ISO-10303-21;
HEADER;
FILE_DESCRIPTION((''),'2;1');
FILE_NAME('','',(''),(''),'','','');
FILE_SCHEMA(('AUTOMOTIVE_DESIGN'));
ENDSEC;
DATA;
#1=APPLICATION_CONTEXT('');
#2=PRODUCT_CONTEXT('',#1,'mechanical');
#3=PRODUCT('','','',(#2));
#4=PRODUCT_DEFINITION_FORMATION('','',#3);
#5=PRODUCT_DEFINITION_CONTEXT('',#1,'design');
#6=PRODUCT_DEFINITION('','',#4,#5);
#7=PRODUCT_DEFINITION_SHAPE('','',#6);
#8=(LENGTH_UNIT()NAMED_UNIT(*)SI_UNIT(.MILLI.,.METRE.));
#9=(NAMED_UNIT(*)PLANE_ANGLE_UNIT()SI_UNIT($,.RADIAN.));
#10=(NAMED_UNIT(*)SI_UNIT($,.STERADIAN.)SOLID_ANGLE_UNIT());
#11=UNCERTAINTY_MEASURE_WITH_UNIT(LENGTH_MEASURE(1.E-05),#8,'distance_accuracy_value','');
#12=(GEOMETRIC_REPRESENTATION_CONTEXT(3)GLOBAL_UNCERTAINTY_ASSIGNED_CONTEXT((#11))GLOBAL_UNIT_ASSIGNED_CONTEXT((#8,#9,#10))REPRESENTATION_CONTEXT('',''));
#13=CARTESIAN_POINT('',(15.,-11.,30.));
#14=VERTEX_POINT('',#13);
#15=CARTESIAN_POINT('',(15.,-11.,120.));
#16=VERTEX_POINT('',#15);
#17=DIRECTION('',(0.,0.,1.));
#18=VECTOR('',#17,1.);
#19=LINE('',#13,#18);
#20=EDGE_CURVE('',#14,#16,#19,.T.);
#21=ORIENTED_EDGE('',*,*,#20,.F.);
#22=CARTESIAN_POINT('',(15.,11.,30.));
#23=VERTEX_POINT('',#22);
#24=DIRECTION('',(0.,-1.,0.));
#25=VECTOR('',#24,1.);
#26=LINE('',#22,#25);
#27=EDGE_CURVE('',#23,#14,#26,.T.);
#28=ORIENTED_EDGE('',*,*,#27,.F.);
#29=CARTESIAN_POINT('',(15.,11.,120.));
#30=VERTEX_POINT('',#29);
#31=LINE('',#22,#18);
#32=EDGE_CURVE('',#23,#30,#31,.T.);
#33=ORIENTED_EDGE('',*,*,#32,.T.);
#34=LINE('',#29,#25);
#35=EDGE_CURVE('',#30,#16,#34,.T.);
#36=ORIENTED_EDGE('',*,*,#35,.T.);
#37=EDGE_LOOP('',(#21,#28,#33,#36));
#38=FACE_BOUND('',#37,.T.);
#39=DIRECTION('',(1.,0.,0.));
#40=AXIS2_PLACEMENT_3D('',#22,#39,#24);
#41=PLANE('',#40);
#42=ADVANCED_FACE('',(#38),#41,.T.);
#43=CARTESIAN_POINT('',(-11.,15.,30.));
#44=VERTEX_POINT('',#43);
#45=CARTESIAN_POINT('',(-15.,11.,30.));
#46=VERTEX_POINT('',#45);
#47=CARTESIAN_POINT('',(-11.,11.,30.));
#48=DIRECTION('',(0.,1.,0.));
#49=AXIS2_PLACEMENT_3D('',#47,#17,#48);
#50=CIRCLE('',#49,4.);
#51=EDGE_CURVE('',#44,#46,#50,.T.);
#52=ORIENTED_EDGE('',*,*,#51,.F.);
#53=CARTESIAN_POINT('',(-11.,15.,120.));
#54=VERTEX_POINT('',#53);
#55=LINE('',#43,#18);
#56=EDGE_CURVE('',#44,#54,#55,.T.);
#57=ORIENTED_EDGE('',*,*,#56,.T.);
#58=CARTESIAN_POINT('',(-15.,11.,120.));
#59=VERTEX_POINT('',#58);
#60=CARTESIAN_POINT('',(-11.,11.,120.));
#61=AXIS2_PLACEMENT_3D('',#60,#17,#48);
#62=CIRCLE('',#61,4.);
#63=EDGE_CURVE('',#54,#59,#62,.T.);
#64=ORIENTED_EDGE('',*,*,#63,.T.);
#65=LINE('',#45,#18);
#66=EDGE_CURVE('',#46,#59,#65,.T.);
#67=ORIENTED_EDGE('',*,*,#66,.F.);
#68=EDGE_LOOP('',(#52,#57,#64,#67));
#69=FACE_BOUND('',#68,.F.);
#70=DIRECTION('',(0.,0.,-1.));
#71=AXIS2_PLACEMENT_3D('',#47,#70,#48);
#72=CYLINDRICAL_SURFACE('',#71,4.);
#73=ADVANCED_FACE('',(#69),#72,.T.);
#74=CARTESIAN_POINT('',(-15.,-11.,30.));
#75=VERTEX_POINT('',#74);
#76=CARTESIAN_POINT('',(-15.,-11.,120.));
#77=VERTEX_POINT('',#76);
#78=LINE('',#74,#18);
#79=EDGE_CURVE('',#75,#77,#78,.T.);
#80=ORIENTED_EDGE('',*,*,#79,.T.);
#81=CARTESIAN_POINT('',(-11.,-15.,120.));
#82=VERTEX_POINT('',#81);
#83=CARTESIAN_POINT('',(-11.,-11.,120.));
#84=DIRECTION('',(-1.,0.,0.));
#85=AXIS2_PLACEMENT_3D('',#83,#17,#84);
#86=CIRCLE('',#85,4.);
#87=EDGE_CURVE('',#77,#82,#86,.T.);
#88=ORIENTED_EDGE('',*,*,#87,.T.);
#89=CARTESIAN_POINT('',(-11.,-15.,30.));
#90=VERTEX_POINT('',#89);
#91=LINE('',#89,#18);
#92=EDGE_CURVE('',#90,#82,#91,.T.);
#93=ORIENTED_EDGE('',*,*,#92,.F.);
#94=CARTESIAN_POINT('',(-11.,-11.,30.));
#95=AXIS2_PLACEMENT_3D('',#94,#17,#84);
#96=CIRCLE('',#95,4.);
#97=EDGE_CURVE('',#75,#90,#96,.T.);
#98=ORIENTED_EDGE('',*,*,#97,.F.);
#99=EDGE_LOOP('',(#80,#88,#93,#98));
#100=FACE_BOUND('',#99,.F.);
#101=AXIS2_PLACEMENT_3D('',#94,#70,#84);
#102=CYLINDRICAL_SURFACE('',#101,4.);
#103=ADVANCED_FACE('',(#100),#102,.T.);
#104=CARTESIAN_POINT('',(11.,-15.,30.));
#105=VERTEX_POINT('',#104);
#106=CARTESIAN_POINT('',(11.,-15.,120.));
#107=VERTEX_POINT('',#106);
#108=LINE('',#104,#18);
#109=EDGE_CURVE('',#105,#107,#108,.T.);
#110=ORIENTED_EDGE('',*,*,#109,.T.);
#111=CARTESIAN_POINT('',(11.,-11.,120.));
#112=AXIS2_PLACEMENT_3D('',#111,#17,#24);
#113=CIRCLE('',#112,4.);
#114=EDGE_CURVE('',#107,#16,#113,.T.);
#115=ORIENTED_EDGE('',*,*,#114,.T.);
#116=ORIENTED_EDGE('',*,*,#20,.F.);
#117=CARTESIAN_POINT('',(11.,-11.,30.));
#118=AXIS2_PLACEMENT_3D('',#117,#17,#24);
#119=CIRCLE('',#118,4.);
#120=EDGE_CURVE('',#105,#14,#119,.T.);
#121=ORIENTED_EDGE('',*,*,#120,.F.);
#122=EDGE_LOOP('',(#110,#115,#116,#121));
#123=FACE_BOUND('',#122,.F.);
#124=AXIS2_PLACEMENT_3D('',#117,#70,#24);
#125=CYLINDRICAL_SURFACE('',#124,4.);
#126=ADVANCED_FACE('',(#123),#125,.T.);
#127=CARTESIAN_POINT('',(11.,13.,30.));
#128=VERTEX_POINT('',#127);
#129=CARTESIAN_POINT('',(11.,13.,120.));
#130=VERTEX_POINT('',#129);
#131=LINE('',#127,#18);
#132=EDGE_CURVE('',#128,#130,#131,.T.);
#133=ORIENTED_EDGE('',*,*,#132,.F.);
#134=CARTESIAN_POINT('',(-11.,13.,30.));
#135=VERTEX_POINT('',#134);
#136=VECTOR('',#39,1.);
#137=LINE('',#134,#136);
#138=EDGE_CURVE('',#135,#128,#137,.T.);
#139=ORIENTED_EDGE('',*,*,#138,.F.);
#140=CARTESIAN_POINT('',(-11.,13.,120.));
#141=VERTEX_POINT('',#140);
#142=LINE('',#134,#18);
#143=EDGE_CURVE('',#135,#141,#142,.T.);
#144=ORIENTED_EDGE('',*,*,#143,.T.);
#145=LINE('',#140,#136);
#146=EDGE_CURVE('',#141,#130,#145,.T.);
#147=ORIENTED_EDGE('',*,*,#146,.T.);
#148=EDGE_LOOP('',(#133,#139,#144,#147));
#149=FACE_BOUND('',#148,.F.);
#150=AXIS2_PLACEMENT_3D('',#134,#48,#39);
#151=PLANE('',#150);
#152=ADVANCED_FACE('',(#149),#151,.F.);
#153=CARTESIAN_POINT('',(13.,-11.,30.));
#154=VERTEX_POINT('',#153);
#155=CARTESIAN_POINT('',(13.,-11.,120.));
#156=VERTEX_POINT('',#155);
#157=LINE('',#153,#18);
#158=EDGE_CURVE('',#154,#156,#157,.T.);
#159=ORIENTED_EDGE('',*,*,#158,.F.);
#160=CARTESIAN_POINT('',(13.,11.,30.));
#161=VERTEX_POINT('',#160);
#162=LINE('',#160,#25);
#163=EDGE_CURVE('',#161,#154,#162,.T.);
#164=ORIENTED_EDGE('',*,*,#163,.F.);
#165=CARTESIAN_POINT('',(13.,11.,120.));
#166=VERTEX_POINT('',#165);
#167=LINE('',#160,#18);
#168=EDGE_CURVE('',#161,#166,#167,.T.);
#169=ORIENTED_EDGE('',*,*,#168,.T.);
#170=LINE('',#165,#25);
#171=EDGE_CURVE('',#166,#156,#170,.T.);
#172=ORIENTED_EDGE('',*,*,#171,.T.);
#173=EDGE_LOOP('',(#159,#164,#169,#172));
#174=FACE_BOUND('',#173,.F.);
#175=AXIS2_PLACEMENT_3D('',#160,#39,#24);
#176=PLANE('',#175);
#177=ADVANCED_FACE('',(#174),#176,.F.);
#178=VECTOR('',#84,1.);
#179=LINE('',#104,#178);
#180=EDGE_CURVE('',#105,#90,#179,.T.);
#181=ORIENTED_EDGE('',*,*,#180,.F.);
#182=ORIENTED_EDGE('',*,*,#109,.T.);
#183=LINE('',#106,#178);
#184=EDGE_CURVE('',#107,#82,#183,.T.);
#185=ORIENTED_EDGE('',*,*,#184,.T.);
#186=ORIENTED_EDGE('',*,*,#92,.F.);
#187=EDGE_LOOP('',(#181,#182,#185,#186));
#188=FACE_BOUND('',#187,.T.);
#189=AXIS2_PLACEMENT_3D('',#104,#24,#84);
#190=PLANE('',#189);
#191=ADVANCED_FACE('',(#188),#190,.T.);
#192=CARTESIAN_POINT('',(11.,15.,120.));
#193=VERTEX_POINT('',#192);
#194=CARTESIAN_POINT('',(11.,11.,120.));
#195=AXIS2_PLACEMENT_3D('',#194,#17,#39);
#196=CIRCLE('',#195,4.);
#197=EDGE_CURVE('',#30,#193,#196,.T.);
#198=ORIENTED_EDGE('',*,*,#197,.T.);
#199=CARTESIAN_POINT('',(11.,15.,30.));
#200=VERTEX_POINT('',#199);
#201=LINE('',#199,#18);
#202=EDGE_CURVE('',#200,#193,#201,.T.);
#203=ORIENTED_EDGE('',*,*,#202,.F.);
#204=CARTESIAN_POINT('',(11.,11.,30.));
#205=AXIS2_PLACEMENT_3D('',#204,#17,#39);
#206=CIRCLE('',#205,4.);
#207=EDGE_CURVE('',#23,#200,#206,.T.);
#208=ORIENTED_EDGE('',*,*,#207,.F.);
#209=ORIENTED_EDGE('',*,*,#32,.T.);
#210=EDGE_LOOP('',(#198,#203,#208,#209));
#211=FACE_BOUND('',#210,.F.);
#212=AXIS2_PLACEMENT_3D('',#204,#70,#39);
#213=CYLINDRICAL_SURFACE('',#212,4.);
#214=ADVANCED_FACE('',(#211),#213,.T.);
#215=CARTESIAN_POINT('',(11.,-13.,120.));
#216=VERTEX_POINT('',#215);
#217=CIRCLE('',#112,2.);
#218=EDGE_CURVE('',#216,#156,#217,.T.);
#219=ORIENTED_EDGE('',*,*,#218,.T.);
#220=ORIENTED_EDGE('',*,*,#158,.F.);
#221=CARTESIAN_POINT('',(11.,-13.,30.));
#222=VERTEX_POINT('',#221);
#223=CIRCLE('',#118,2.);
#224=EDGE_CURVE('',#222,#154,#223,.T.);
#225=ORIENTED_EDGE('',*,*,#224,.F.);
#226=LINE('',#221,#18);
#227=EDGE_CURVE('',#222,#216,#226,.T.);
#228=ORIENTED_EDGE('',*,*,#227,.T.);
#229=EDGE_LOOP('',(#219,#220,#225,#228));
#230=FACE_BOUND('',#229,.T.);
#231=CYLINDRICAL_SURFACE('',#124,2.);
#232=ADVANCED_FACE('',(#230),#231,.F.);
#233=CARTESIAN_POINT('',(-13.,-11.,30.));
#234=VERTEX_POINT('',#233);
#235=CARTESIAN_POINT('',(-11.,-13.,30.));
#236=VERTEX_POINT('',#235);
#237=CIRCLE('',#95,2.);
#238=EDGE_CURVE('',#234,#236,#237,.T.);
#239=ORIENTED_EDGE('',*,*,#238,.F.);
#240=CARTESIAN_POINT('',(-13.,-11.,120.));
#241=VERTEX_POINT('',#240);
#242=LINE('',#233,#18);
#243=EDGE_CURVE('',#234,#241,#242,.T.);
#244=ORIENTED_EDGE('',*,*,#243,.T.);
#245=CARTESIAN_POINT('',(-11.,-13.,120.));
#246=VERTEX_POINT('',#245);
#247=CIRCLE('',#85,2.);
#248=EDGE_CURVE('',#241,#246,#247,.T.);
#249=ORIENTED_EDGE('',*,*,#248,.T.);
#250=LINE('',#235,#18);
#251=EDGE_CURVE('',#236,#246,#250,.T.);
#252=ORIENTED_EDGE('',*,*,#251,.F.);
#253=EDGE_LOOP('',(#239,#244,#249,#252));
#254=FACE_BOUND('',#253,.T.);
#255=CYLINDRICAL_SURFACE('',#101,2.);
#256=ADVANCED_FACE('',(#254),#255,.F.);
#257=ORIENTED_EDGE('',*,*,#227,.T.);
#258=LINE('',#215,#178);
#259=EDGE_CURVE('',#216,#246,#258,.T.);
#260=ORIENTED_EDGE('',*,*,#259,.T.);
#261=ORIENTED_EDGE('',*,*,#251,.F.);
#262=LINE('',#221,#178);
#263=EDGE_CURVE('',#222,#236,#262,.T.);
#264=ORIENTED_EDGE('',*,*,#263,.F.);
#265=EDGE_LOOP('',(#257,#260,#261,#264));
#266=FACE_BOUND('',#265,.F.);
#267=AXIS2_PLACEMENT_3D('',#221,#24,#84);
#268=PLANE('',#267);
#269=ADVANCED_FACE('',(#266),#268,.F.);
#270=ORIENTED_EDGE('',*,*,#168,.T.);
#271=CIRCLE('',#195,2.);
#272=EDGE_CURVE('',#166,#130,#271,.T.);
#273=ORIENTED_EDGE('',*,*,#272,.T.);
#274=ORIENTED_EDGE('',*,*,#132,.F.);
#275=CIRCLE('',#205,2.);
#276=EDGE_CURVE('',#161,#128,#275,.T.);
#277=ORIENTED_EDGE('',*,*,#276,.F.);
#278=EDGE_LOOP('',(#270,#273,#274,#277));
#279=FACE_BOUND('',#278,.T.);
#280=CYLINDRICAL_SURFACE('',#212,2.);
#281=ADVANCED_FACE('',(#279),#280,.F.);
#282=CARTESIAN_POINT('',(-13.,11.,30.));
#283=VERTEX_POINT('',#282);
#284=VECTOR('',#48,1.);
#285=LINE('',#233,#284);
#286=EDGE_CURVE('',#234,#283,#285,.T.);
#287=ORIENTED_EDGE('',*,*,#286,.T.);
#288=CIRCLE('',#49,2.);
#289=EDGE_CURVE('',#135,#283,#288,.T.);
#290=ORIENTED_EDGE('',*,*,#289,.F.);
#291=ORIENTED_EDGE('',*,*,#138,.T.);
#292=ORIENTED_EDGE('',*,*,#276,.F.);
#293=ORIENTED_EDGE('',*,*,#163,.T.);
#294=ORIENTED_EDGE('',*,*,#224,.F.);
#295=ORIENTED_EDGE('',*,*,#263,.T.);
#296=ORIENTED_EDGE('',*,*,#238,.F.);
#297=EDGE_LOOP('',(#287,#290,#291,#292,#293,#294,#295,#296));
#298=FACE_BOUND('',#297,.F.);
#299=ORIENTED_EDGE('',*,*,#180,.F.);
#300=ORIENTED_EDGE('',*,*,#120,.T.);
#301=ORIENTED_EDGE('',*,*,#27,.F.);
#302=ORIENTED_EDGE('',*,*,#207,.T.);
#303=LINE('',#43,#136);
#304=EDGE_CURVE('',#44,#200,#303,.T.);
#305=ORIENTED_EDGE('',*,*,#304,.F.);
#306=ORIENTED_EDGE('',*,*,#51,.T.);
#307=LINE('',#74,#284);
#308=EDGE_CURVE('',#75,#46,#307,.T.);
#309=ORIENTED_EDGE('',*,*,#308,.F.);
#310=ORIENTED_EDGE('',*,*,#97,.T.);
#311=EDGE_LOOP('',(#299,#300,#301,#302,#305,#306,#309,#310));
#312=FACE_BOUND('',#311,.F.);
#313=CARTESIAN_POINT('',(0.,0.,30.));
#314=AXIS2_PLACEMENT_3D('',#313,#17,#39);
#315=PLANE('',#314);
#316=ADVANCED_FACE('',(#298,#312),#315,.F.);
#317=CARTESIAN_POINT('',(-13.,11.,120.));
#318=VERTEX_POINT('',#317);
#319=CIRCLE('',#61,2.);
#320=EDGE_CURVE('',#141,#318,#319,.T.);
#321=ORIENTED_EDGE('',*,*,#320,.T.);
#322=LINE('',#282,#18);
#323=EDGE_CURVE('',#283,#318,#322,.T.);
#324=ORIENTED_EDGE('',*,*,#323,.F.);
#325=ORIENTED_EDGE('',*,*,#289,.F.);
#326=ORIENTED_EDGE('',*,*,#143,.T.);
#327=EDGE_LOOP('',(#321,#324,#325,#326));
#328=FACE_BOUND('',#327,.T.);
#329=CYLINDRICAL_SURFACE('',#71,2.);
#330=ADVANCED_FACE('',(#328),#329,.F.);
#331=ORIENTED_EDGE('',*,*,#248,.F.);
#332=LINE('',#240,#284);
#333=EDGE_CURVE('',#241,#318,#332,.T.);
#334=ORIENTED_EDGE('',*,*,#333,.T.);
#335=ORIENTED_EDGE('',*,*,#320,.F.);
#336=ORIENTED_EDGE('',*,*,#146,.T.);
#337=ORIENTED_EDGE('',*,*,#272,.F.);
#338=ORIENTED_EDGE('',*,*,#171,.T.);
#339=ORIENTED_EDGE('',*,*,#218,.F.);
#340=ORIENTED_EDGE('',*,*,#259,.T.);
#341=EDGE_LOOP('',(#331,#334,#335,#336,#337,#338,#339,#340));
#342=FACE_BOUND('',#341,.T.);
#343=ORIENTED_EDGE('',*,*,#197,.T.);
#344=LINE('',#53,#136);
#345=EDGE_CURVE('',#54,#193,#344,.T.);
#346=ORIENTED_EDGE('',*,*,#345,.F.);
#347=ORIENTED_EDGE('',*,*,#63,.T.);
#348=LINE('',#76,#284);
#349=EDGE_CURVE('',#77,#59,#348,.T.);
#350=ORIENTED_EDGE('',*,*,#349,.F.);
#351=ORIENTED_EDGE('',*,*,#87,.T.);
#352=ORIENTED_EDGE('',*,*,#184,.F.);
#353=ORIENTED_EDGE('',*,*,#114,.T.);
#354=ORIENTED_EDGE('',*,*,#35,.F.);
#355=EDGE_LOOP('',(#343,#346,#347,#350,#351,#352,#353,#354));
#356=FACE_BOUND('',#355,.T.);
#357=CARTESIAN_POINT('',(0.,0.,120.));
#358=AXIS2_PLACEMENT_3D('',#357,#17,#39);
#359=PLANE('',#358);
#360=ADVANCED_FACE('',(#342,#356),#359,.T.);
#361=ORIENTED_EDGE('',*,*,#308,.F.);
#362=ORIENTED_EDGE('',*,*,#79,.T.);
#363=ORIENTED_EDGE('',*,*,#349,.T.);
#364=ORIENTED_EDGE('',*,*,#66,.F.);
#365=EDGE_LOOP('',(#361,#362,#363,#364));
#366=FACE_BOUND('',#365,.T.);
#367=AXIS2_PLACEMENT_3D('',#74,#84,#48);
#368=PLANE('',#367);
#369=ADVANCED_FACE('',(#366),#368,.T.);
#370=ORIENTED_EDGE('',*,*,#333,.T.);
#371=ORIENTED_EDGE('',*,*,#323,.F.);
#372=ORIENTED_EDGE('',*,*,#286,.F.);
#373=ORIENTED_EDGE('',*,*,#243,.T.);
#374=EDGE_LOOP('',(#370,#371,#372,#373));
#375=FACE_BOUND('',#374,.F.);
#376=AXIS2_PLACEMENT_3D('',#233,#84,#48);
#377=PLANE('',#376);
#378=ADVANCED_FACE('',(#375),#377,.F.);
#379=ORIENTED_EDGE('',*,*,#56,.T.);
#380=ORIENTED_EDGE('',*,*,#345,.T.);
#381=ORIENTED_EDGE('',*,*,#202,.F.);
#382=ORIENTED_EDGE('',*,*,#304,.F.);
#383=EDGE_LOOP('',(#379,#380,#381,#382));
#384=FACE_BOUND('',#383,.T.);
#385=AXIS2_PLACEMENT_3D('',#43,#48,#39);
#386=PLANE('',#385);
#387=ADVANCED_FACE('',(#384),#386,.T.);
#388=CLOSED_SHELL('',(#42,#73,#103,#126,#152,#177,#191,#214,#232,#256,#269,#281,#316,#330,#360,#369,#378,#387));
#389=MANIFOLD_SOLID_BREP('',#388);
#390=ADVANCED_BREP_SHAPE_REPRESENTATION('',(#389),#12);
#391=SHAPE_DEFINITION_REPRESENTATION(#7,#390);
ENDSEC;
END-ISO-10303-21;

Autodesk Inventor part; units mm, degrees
ref_plane "Plano inicial" through (0, 0, 30) normal (0, 0, 1) x (1, 0, 0)
ref_plane "Plano final" through (0, 0, 120) normal (0, 0, 1) x (1, 0, 0)
sketch "Esboço" plane through (0, 0, 0) normal (0, 0, 1) x (1, 0, 0)
  line L0 (-15, -11) -> (-15, 11)
  line L1 (-11, 15) -> (11, 15)
  line L2 (15, 11) -> (15, -11)
  line L3 (11, -15) -> (-11, -15)
  arc A0 (-15, -11) -> (-11, -15) centre (-11, -11) ccw
  arc A1 (15, 11) -> (11, 15) centre (11, 11) ccw
  arc A2 (-11, 15) -> (-15, 11) centre (-11, 11) ccw
  arc A3 (11, -15) -> (15, -11) centre (11, -11) ccw
  arc A4 (-11, 13) -> (-13, 11) centre (-11, 11) ccw
  line L4 (-11, 13) -> (11, 13)
  arc A5 (13, 11) -> (11, 13) centre (11, 11) ccw
  line L5 (13, 11) -> (13, -11)
  arc A6 (11, -13) -> (13, -11) centre (11, -11) ccw
  line L6 (11, -13) -> (-11, -13)
  arc A7 (-13, -11) -> (-11, -13) centre (-11, -11) ccw
  line L7 (-13, -11) -> (-13, 11)
  line L8 (0, 22.1598) -> (0, -22.1598) construction
  line L9 (-22.1598, 0) -> (22.1598, 0) construction
  dimension "d7" = 4
  dimension "d9" = 30
  dimension "d11" = 30
  dimension "d12" = 2
  dimension "d15" = 15
  dimension "d16" = 15
extrude "Corpo" add sketch "Esboço" along normal up to surface (90 mm away) from surface at 30
sketch "Sketch3" plane through (0, 0, 0) normal (0, 0, 1) x (1, 0, 0)
  line L0 (0, 0) -> (10, 0)
ref_plane "Work Plane3" through (0, 0, 0) normal (0, -1, 0) x (1, 0, 0)
sketch "Sketch4" plane through (0, 0, 0) normal (0, -1, 0) x (1, 0, 0)
  line L0 (-2, 30) -> (12, 30)
  line L1 (-2, 120) -> (12, 120)
  dimension "d18" = 90
ref_plane "Plano de trabalho5" through (15, 0, 120) normal (0, 0, 1) x (1, 0, 0)
split "Dividir2" plane through (15, 0, 120) removes the side toward (0, 0, 1)
ref_plane "Plano de trabalho6" through (15, 0, 30) normal (0, 0, -1) x (-1, 0, 0)
split "Dividir3" plane through (15, 0, 30) removes the side toward (0, 0, -1)
equation "\"d7\" = G_IR"
equation "\"d9\" = G_W"
equation "\"d11\" = G_H"
equation "\"d12\" = G_T"
equation "\"d15\" = 0.5 * d9"
equation "\"d16\" = 0.5 * d11"
equation "\"d3\" = G_L"
equation "\"G_W\" = 30"
equation "\"G_H\" = 30"
equation "\"G_T\" = 2"
equation "\"G_IR\" = 4"
equation "\"G_L\" = d18"
properties part number "ISO 10799-2 - 30x30x2 - 90" material "Aço, suave"
